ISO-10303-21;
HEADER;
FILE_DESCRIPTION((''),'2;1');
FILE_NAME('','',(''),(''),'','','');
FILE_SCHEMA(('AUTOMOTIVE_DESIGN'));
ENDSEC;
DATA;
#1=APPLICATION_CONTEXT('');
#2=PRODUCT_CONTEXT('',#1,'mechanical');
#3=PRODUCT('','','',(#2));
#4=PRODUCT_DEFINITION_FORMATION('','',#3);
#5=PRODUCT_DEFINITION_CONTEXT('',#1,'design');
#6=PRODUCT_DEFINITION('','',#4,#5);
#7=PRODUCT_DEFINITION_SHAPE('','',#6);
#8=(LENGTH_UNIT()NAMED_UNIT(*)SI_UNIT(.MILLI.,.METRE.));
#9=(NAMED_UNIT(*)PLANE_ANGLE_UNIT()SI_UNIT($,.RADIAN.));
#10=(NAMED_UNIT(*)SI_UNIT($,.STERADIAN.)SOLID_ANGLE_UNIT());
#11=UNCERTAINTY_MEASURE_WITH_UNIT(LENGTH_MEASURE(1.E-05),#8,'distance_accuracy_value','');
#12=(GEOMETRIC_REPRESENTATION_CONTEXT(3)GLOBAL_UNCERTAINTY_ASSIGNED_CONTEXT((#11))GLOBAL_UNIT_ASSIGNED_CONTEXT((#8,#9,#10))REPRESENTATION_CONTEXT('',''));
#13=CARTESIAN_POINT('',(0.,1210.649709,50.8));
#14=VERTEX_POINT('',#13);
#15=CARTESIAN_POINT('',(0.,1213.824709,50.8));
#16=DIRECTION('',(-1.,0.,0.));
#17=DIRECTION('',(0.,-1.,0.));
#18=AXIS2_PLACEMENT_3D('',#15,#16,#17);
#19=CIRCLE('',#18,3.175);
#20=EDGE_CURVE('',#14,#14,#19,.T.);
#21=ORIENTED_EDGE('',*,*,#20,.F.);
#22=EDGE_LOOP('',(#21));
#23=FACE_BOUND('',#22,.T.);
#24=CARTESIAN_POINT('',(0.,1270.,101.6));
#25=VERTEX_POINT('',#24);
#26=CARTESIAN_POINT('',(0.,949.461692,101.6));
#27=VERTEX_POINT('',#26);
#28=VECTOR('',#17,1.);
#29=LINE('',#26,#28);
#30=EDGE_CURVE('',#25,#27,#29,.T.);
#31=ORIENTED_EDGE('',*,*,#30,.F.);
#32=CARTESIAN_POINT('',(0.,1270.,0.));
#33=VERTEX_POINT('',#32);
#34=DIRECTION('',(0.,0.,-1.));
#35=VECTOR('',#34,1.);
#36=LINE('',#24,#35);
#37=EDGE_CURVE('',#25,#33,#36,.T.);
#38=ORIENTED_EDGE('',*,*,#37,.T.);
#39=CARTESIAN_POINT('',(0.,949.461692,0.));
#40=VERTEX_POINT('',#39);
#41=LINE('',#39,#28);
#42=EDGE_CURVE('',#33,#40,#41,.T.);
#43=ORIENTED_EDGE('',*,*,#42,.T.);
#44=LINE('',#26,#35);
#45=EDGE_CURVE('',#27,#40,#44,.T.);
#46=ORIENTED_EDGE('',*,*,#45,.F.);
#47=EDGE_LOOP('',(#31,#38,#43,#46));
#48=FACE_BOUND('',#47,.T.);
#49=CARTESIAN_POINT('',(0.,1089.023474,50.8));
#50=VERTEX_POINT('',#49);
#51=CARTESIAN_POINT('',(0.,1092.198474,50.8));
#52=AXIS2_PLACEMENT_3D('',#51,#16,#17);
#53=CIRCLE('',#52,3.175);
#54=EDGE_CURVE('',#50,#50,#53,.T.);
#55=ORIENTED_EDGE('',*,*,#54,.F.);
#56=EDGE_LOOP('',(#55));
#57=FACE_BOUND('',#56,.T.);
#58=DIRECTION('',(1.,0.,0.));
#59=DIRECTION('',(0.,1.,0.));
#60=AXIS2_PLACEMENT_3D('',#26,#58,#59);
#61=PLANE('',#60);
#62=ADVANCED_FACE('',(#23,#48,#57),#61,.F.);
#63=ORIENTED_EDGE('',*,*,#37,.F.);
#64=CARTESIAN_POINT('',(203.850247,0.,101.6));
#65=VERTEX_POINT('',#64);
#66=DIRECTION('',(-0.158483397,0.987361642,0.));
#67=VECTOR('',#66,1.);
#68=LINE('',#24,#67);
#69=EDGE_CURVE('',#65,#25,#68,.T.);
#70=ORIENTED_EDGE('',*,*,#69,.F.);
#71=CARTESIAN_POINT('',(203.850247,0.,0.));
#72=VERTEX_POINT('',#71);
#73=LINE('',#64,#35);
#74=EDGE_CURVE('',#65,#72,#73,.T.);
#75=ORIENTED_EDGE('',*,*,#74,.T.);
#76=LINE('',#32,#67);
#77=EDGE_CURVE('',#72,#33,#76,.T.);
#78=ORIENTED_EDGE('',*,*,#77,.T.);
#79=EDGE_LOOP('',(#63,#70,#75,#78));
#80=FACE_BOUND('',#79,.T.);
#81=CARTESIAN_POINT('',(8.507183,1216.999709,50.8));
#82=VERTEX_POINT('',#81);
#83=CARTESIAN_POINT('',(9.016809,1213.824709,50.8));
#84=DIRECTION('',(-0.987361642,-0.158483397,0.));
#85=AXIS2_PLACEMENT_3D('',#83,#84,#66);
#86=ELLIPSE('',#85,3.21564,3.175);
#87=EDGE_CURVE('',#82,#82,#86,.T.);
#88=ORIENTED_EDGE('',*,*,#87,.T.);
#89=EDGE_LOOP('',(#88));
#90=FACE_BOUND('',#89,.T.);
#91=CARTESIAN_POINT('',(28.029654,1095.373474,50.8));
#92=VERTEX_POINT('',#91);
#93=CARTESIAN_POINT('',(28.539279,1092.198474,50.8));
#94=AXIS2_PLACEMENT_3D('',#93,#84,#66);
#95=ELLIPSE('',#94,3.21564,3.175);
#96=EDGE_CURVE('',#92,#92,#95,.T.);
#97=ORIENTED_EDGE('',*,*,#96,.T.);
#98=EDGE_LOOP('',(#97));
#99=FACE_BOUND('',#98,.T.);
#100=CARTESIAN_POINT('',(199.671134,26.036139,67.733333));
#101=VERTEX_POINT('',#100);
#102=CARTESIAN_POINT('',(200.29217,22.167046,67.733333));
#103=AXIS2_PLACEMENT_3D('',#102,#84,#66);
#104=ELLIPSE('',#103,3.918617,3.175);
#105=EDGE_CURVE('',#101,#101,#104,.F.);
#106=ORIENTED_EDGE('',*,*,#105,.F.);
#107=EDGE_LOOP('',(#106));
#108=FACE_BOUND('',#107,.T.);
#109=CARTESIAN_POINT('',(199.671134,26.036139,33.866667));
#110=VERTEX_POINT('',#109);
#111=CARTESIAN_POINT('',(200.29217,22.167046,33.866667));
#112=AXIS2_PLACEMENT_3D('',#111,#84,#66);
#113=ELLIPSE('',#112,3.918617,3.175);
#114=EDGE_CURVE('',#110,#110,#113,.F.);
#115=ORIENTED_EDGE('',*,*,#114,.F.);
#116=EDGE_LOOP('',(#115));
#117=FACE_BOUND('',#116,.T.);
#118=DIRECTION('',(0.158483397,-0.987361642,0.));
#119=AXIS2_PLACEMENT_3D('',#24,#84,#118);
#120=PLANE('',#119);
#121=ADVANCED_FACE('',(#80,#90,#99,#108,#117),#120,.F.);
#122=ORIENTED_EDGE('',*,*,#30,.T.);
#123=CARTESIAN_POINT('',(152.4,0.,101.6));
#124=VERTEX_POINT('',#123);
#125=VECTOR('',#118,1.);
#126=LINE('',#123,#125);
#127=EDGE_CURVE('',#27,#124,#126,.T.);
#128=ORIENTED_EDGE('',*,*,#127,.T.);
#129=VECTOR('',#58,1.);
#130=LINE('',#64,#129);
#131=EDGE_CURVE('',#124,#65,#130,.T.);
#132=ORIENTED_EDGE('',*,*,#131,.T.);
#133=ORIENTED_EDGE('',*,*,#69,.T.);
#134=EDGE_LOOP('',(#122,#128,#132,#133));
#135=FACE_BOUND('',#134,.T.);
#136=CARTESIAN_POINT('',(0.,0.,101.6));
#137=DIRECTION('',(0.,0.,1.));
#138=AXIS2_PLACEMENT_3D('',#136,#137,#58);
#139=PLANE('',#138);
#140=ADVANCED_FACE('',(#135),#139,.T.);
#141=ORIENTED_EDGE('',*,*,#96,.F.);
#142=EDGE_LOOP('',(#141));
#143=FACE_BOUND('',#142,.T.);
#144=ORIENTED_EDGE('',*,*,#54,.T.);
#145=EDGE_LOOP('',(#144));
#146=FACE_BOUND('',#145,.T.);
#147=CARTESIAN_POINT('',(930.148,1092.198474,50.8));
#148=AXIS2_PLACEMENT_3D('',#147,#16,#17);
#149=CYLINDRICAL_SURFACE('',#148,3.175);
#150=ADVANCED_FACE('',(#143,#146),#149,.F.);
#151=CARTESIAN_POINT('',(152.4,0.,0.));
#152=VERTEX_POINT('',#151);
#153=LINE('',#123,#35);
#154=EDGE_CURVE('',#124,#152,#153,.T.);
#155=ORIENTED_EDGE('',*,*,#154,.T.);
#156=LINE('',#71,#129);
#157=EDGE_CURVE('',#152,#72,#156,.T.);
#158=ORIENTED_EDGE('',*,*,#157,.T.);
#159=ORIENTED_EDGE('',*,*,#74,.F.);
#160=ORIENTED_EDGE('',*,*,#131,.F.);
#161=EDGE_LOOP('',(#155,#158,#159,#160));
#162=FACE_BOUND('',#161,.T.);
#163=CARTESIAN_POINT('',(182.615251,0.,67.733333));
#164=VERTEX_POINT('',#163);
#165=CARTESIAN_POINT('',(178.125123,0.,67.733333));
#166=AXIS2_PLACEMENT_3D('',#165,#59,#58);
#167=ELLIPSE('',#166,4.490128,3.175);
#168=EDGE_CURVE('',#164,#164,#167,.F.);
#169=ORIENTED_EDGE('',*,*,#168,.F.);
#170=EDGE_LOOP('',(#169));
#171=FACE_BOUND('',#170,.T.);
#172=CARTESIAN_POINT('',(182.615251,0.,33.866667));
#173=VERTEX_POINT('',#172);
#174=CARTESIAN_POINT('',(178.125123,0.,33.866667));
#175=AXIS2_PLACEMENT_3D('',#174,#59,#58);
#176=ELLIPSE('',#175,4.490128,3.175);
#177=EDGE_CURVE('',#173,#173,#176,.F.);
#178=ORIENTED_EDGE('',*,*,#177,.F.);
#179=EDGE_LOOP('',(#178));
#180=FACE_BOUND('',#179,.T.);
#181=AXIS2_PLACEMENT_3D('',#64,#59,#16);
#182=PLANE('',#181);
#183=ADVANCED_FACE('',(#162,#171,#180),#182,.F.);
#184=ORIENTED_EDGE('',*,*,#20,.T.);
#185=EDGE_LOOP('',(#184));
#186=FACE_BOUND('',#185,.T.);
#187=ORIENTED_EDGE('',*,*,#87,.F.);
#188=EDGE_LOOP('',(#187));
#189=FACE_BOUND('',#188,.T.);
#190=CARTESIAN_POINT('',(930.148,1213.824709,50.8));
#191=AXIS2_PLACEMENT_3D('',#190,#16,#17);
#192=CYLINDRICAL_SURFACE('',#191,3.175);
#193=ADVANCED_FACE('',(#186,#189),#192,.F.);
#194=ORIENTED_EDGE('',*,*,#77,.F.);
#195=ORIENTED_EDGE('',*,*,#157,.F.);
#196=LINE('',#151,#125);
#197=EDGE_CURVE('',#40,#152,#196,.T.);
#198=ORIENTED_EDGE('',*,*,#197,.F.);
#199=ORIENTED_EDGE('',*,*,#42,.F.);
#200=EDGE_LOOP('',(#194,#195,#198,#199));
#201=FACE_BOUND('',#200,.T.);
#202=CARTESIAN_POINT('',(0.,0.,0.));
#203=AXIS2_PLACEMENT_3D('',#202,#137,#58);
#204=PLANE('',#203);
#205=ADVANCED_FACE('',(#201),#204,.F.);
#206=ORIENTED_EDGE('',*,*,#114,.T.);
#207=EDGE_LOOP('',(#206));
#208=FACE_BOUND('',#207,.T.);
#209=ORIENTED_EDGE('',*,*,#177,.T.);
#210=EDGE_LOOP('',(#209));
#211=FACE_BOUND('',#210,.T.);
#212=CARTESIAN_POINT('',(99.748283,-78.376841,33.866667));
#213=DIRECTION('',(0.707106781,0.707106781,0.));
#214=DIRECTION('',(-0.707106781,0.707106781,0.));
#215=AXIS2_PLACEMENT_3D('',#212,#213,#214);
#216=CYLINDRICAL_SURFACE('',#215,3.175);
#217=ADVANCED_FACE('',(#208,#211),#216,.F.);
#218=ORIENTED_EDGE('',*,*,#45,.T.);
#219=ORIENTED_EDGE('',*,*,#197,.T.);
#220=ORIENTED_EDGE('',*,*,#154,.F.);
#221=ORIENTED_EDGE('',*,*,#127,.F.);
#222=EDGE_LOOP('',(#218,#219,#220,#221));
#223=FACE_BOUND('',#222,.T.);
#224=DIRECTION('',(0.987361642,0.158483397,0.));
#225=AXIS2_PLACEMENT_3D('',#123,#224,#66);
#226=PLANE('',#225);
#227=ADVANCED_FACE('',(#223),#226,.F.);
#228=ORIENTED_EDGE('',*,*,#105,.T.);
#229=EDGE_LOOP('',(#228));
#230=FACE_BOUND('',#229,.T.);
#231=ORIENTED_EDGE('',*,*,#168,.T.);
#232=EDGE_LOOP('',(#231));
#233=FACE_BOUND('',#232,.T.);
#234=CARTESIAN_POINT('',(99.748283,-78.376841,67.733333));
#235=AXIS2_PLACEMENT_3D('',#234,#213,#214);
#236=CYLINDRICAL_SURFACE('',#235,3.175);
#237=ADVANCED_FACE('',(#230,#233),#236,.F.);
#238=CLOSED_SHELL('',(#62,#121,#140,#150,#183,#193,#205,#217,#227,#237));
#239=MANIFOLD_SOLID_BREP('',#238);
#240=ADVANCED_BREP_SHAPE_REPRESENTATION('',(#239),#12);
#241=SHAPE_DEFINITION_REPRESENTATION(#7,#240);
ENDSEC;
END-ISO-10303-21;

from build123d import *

# Parameters (mm, degrees)
BOSS_EXTRUDE1_DEPTH     = 101.6
SKETCH2_R               = 3.175
CUT_EXTRUDE1_DEPTH      = 930.148
CUT_EXTRUDE2_DEPTH      = 129.032
CUT_EXTRUDE2_DEPTH_BACK = 167.132
SKETCH3_R               = 3.175


with BuildPart() as part:
    # Sketch1 → Boss-Extrude1 (new body)
    with BuildSketch(Plane.XY):
        Polygon((0, 949.461691672), (0, 1270), (203.850246616, 0), (152.4, 0), align=None)
    extrude(amount=BOSS_EXTRUDE1_DEPTH)

    # Sketch2 → Cut-Extrude1 (cut)
    with BuildSketch(Plane.ZY):
        with Locations(Location((50.8, 1213.824708718, 0), (0, 0, 270))):
            Circle(SKETCH2_R)
        with Locations(Location((50.8, 1092.198474258, 0), (0, 0, 270))):
            Circle(SKETCH2_R)
    extrude(amount=-CUT_EXTRUDE1_DEPTH, mode=Mode.SUBTRACT)

    # Sketch3 → Cut-Extrude2 (cut, two sides: drawn at the far end of the back side and taken through both)
    with BuildSketch(Plane(origin=(101.925123308, 101.925123308, 0), x_dir=(0, 0, -1), z_dir=(-0.7071067811865487, -0.7071067811865465, 0)).offset(-CUT_EXTRUDE2_DEPTH_BACK)):
        with Locations(Location((-67.733333333, 125.953482591, 0), (0, 0, 270))):
            Circle(SKETCH3_R)
        with Locations(Location((-33.866666667, 125.953482591, 0), (0, 0, 270))):
            Circle(SKETCH3_R)
    extrude(amount=CUT_EXTRUDE2_DEPTH + CUT_EXTRUDE2_DEPTH_BACK, mode=Mode.SUBTRACT)


solid = part.part
